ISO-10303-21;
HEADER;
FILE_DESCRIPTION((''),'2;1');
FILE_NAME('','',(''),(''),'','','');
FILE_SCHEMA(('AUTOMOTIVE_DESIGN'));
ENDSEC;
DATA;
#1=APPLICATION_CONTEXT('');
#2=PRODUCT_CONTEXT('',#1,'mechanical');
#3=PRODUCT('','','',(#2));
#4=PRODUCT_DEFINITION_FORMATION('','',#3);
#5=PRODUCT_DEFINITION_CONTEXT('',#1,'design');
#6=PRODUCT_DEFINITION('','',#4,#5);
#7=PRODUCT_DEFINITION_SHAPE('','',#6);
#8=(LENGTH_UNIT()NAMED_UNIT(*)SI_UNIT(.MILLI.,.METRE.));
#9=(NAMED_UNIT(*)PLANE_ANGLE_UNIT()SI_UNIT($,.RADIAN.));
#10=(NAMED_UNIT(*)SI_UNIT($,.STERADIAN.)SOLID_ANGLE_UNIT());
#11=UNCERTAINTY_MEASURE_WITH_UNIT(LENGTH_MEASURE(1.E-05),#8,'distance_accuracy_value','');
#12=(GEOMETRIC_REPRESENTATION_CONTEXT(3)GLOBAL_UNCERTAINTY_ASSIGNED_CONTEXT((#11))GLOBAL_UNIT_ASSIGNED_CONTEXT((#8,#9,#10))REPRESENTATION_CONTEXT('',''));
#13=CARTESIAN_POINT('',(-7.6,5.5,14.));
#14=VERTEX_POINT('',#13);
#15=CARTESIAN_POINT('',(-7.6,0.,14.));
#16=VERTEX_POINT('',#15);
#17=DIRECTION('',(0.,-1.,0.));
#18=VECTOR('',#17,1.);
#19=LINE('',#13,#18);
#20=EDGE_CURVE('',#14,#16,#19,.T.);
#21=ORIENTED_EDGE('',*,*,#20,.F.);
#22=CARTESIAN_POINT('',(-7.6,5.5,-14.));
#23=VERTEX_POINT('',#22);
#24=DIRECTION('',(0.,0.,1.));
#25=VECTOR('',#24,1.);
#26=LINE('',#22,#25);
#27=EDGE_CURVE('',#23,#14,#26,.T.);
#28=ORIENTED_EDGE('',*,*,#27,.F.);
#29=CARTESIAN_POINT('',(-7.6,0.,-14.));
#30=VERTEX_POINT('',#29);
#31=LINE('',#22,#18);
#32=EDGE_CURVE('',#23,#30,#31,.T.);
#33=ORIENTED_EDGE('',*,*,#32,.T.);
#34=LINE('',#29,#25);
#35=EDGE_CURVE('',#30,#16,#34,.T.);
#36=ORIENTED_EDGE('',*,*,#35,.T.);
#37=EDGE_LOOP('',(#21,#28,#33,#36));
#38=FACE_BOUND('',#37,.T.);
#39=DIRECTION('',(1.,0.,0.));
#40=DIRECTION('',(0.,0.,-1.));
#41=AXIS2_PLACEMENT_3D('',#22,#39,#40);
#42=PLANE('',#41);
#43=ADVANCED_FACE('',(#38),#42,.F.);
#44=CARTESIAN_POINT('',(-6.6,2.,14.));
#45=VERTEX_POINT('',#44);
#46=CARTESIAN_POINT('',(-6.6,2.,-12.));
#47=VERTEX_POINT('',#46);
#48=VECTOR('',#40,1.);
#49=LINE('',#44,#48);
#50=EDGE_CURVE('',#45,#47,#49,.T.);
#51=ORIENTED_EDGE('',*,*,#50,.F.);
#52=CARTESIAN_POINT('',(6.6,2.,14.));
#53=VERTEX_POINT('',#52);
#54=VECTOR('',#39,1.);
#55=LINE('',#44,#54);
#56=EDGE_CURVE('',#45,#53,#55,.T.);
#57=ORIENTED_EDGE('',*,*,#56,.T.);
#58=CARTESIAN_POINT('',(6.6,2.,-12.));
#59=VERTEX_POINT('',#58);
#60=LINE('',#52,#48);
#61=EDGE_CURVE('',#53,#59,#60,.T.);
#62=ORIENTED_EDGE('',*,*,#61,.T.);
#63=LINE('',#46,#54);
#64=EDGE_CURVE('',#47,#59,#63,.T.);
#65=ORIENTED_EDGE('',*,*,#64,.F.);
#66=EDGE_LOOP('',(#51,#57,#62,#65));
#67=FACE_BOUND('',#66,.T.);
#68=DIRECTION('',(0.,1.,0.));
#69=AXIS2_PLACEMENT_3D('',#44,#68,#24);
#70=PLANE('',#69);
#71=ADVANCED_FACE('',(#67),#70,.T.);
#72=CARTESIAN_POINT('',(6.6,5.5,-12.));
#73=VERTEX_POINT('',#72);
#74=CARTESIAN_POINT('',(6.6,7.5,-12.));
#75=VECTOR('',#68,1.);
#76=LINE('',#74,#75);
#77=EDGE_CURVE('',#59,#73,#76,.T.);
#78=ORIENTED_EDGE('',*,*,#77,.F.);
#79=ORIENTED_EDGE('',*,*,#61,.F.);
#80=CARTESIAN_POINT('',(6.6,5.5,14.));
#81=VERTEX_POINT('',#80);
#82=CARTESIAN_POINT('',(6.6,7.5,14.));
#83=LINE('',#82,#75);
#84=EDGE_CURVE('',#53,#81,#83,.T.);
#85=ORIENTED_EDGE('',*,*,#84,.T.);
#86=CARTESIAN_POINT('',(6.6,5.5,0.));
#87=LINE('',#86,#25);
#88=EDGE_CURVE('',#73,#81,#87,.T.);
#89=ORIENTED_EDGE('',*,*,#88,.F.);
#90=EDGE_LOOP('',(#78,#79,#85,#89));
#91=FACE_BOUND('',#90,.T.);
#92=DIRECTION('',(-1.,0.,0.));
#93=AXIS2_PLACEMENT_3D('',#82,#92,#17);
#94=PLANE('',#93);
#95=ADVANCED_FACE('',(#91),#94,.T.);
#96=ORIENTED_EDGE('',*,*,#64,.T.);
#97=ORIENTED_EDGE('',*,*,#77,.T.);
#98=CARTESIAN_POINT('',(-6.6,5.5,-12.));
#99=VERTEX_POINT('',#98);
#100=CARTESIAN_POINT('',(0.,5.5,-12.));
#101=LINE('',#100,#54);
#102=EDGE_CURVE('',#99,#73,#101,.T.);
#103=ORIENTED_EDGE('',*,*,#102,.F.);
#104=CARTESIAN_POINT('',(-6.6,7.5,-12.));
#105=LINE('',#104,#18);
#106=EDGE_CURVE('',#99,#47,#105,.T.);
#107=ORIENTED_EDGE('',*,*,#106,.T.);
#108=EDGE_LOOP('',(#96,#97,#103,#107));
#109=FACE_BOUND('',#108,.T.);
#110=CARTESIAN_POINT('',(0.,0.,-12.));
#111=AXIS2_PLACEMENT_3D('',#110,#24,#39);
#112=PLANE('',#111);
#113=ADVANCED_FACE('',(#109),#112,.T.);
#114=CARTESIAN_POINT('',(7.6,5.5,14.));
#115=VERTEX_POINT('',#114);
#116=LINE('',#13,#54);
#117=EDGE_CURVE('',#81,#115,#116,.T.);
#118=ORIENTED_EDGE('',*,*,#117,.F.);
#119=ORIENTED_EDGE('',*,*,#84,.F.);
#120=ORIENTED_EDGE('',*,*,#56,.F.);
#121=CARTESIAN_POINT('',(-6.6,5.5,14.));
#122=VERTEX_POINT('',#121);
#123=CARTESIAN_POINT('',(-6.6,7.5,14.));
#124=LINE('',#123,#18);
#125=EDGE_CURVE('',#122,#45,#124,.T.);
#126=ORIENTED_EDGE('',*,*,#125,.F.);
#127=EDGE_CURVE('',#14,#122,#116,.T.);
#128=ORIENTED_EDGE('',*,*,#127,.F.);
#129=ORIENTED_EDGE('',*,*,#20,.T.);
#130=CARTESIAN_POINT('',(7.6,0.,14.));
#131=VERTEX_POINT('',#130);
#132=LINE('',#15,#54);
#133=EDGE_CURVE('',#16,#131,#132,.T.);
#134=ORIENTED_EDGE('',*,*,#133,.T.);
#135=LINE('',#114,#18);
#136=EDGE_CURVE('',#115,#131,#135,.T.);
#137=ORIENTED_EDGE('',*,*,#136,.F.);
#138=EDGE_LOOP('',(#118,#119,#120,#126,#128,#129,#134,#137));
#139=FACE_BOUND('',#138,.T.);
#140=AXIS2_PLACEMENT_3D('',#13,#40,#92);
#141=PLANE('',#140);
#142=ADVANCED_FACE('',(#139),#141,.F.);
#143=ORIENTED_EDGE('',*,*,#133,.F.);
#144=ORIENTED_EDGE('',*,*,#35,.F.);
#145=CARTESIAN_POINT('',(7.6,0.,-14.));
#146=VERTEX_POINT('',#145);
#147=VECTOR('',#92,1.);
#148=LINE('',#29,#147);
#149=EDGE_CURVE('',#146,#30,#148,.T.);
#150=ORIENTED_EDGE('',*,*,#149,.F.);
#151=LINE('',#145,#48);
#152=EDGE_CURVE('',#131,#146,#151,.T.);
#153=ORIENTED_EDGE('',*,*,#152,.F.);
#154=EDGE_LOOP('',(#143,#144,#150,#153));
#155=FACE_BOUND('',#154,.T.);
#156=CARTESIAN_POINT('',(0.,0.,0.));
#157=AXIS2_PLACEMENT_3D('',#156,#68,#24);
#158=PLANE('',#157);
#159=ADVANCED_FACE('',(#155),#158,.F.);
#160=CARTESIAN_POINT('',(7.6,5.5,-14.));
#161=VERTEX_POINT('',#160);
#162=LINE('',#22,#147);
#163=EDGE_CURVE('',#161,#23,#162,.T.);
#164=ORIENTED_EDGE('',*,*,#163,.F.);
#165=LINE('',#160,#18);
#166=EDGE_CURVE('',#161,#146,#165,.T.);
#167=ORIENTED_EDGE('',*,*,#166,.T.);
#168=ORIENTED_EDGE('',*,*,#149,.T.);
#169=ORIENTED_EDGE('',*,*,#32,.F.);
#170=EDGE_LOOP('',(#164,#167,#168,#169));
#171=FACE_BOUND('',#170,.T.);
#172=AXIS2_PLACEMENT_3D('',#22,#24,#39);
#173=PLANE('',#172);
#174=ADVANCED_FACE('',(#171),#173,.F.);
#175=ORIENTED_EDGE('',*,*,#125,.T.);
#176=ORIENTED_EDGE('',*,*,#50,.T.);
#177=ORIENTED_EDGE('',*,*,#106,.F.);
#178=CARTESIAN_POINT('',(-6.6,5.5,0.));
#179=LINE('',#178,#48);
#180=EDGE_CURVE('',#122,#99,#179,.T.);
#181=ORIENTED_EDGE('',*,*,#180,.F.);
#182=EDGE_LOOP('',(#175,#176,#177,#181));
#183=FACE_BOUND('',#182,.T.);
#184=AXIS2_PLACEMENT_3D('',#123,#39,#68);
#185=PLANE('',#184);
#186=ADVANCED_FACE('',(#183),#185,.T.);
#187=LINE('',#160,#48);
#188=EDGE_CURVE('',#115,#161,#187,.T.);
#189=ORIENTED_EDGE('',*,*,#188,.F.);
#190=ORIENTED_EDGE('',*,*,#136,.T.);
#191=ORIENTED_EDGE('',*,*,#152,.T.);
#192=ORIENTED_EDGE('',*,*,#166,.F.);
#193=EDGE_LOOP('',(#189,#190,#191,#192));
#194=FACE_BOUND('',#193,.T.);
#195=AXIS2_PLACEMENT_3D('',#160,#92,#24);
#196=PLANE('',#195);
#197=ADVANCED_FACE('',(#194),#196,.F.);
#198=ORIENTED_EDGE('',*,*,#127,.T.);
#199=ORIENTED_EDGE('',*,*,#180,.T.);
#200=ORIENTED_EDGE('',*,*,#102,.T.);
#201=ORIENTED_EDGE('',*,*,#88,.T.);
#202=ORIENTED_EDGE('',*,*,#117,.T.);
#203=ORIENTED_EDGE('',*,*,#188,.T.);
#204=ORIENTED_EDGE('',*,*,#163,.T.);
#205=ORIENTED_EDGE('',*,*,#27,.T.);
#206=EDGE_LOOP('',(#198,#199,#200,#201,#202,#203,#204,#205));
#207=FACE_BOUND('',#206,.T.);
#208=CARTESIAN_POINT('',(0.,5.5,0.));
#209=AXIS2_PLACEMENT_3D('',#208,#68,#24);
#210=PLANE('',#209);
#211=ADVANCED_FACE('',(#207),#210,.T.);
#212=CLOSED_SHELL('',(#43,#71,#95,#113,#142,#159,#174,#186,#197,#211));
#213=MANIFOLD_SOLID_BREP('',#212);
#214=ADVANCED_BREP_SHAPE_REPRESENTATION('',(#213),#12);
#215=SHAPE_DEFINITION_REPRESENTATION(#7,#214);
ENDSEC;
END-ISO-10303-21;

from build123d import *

# Parameters (mm, degrees)
SKETCH1_W               = 15.2
SKETCH1_H               = 28
BOSS_EXTRUDE1_DEPTH     = 5.5
CUT_EXTRUDE1_DEPTH      = 14
CUT_EXTRUDE1_DEPTH_BACK = 12
SKETCH2_W               = 13.2
SKETCH2_H               = 5.5


with BuildPart() as part:
    # Sketch1 → Boss-Extrude1 (new body)
    with BuildSketch(Plane(origin=(0, 0, 0), x_dir=(1, 0, 0), z_dir=(0, 1, 0))):
        Rectangle(SKETCH1_W, SKETCH1_H)
    extrude(amount=BOSS_EXTRUDE1_DEPTH)

    # Sketch2 → Cut-Extrude1 (cut, two sides: drawn at the far end of the back side and taken through both)
    with BuildSketch(Plane.XY.offset(-CUT_EXTRUDE1_DEPTH_BACK)):
        with Locations((0, 4.75)):
            Rectangle(SKETCH2_W, SKETCH2_H)
    extrude(amount=CUT_EXTRUDE1_DEPTH + CUT_EXTRUDE1_DEPTH_BACK, mode=Mode.SUBTRACT)


solid = part.part
